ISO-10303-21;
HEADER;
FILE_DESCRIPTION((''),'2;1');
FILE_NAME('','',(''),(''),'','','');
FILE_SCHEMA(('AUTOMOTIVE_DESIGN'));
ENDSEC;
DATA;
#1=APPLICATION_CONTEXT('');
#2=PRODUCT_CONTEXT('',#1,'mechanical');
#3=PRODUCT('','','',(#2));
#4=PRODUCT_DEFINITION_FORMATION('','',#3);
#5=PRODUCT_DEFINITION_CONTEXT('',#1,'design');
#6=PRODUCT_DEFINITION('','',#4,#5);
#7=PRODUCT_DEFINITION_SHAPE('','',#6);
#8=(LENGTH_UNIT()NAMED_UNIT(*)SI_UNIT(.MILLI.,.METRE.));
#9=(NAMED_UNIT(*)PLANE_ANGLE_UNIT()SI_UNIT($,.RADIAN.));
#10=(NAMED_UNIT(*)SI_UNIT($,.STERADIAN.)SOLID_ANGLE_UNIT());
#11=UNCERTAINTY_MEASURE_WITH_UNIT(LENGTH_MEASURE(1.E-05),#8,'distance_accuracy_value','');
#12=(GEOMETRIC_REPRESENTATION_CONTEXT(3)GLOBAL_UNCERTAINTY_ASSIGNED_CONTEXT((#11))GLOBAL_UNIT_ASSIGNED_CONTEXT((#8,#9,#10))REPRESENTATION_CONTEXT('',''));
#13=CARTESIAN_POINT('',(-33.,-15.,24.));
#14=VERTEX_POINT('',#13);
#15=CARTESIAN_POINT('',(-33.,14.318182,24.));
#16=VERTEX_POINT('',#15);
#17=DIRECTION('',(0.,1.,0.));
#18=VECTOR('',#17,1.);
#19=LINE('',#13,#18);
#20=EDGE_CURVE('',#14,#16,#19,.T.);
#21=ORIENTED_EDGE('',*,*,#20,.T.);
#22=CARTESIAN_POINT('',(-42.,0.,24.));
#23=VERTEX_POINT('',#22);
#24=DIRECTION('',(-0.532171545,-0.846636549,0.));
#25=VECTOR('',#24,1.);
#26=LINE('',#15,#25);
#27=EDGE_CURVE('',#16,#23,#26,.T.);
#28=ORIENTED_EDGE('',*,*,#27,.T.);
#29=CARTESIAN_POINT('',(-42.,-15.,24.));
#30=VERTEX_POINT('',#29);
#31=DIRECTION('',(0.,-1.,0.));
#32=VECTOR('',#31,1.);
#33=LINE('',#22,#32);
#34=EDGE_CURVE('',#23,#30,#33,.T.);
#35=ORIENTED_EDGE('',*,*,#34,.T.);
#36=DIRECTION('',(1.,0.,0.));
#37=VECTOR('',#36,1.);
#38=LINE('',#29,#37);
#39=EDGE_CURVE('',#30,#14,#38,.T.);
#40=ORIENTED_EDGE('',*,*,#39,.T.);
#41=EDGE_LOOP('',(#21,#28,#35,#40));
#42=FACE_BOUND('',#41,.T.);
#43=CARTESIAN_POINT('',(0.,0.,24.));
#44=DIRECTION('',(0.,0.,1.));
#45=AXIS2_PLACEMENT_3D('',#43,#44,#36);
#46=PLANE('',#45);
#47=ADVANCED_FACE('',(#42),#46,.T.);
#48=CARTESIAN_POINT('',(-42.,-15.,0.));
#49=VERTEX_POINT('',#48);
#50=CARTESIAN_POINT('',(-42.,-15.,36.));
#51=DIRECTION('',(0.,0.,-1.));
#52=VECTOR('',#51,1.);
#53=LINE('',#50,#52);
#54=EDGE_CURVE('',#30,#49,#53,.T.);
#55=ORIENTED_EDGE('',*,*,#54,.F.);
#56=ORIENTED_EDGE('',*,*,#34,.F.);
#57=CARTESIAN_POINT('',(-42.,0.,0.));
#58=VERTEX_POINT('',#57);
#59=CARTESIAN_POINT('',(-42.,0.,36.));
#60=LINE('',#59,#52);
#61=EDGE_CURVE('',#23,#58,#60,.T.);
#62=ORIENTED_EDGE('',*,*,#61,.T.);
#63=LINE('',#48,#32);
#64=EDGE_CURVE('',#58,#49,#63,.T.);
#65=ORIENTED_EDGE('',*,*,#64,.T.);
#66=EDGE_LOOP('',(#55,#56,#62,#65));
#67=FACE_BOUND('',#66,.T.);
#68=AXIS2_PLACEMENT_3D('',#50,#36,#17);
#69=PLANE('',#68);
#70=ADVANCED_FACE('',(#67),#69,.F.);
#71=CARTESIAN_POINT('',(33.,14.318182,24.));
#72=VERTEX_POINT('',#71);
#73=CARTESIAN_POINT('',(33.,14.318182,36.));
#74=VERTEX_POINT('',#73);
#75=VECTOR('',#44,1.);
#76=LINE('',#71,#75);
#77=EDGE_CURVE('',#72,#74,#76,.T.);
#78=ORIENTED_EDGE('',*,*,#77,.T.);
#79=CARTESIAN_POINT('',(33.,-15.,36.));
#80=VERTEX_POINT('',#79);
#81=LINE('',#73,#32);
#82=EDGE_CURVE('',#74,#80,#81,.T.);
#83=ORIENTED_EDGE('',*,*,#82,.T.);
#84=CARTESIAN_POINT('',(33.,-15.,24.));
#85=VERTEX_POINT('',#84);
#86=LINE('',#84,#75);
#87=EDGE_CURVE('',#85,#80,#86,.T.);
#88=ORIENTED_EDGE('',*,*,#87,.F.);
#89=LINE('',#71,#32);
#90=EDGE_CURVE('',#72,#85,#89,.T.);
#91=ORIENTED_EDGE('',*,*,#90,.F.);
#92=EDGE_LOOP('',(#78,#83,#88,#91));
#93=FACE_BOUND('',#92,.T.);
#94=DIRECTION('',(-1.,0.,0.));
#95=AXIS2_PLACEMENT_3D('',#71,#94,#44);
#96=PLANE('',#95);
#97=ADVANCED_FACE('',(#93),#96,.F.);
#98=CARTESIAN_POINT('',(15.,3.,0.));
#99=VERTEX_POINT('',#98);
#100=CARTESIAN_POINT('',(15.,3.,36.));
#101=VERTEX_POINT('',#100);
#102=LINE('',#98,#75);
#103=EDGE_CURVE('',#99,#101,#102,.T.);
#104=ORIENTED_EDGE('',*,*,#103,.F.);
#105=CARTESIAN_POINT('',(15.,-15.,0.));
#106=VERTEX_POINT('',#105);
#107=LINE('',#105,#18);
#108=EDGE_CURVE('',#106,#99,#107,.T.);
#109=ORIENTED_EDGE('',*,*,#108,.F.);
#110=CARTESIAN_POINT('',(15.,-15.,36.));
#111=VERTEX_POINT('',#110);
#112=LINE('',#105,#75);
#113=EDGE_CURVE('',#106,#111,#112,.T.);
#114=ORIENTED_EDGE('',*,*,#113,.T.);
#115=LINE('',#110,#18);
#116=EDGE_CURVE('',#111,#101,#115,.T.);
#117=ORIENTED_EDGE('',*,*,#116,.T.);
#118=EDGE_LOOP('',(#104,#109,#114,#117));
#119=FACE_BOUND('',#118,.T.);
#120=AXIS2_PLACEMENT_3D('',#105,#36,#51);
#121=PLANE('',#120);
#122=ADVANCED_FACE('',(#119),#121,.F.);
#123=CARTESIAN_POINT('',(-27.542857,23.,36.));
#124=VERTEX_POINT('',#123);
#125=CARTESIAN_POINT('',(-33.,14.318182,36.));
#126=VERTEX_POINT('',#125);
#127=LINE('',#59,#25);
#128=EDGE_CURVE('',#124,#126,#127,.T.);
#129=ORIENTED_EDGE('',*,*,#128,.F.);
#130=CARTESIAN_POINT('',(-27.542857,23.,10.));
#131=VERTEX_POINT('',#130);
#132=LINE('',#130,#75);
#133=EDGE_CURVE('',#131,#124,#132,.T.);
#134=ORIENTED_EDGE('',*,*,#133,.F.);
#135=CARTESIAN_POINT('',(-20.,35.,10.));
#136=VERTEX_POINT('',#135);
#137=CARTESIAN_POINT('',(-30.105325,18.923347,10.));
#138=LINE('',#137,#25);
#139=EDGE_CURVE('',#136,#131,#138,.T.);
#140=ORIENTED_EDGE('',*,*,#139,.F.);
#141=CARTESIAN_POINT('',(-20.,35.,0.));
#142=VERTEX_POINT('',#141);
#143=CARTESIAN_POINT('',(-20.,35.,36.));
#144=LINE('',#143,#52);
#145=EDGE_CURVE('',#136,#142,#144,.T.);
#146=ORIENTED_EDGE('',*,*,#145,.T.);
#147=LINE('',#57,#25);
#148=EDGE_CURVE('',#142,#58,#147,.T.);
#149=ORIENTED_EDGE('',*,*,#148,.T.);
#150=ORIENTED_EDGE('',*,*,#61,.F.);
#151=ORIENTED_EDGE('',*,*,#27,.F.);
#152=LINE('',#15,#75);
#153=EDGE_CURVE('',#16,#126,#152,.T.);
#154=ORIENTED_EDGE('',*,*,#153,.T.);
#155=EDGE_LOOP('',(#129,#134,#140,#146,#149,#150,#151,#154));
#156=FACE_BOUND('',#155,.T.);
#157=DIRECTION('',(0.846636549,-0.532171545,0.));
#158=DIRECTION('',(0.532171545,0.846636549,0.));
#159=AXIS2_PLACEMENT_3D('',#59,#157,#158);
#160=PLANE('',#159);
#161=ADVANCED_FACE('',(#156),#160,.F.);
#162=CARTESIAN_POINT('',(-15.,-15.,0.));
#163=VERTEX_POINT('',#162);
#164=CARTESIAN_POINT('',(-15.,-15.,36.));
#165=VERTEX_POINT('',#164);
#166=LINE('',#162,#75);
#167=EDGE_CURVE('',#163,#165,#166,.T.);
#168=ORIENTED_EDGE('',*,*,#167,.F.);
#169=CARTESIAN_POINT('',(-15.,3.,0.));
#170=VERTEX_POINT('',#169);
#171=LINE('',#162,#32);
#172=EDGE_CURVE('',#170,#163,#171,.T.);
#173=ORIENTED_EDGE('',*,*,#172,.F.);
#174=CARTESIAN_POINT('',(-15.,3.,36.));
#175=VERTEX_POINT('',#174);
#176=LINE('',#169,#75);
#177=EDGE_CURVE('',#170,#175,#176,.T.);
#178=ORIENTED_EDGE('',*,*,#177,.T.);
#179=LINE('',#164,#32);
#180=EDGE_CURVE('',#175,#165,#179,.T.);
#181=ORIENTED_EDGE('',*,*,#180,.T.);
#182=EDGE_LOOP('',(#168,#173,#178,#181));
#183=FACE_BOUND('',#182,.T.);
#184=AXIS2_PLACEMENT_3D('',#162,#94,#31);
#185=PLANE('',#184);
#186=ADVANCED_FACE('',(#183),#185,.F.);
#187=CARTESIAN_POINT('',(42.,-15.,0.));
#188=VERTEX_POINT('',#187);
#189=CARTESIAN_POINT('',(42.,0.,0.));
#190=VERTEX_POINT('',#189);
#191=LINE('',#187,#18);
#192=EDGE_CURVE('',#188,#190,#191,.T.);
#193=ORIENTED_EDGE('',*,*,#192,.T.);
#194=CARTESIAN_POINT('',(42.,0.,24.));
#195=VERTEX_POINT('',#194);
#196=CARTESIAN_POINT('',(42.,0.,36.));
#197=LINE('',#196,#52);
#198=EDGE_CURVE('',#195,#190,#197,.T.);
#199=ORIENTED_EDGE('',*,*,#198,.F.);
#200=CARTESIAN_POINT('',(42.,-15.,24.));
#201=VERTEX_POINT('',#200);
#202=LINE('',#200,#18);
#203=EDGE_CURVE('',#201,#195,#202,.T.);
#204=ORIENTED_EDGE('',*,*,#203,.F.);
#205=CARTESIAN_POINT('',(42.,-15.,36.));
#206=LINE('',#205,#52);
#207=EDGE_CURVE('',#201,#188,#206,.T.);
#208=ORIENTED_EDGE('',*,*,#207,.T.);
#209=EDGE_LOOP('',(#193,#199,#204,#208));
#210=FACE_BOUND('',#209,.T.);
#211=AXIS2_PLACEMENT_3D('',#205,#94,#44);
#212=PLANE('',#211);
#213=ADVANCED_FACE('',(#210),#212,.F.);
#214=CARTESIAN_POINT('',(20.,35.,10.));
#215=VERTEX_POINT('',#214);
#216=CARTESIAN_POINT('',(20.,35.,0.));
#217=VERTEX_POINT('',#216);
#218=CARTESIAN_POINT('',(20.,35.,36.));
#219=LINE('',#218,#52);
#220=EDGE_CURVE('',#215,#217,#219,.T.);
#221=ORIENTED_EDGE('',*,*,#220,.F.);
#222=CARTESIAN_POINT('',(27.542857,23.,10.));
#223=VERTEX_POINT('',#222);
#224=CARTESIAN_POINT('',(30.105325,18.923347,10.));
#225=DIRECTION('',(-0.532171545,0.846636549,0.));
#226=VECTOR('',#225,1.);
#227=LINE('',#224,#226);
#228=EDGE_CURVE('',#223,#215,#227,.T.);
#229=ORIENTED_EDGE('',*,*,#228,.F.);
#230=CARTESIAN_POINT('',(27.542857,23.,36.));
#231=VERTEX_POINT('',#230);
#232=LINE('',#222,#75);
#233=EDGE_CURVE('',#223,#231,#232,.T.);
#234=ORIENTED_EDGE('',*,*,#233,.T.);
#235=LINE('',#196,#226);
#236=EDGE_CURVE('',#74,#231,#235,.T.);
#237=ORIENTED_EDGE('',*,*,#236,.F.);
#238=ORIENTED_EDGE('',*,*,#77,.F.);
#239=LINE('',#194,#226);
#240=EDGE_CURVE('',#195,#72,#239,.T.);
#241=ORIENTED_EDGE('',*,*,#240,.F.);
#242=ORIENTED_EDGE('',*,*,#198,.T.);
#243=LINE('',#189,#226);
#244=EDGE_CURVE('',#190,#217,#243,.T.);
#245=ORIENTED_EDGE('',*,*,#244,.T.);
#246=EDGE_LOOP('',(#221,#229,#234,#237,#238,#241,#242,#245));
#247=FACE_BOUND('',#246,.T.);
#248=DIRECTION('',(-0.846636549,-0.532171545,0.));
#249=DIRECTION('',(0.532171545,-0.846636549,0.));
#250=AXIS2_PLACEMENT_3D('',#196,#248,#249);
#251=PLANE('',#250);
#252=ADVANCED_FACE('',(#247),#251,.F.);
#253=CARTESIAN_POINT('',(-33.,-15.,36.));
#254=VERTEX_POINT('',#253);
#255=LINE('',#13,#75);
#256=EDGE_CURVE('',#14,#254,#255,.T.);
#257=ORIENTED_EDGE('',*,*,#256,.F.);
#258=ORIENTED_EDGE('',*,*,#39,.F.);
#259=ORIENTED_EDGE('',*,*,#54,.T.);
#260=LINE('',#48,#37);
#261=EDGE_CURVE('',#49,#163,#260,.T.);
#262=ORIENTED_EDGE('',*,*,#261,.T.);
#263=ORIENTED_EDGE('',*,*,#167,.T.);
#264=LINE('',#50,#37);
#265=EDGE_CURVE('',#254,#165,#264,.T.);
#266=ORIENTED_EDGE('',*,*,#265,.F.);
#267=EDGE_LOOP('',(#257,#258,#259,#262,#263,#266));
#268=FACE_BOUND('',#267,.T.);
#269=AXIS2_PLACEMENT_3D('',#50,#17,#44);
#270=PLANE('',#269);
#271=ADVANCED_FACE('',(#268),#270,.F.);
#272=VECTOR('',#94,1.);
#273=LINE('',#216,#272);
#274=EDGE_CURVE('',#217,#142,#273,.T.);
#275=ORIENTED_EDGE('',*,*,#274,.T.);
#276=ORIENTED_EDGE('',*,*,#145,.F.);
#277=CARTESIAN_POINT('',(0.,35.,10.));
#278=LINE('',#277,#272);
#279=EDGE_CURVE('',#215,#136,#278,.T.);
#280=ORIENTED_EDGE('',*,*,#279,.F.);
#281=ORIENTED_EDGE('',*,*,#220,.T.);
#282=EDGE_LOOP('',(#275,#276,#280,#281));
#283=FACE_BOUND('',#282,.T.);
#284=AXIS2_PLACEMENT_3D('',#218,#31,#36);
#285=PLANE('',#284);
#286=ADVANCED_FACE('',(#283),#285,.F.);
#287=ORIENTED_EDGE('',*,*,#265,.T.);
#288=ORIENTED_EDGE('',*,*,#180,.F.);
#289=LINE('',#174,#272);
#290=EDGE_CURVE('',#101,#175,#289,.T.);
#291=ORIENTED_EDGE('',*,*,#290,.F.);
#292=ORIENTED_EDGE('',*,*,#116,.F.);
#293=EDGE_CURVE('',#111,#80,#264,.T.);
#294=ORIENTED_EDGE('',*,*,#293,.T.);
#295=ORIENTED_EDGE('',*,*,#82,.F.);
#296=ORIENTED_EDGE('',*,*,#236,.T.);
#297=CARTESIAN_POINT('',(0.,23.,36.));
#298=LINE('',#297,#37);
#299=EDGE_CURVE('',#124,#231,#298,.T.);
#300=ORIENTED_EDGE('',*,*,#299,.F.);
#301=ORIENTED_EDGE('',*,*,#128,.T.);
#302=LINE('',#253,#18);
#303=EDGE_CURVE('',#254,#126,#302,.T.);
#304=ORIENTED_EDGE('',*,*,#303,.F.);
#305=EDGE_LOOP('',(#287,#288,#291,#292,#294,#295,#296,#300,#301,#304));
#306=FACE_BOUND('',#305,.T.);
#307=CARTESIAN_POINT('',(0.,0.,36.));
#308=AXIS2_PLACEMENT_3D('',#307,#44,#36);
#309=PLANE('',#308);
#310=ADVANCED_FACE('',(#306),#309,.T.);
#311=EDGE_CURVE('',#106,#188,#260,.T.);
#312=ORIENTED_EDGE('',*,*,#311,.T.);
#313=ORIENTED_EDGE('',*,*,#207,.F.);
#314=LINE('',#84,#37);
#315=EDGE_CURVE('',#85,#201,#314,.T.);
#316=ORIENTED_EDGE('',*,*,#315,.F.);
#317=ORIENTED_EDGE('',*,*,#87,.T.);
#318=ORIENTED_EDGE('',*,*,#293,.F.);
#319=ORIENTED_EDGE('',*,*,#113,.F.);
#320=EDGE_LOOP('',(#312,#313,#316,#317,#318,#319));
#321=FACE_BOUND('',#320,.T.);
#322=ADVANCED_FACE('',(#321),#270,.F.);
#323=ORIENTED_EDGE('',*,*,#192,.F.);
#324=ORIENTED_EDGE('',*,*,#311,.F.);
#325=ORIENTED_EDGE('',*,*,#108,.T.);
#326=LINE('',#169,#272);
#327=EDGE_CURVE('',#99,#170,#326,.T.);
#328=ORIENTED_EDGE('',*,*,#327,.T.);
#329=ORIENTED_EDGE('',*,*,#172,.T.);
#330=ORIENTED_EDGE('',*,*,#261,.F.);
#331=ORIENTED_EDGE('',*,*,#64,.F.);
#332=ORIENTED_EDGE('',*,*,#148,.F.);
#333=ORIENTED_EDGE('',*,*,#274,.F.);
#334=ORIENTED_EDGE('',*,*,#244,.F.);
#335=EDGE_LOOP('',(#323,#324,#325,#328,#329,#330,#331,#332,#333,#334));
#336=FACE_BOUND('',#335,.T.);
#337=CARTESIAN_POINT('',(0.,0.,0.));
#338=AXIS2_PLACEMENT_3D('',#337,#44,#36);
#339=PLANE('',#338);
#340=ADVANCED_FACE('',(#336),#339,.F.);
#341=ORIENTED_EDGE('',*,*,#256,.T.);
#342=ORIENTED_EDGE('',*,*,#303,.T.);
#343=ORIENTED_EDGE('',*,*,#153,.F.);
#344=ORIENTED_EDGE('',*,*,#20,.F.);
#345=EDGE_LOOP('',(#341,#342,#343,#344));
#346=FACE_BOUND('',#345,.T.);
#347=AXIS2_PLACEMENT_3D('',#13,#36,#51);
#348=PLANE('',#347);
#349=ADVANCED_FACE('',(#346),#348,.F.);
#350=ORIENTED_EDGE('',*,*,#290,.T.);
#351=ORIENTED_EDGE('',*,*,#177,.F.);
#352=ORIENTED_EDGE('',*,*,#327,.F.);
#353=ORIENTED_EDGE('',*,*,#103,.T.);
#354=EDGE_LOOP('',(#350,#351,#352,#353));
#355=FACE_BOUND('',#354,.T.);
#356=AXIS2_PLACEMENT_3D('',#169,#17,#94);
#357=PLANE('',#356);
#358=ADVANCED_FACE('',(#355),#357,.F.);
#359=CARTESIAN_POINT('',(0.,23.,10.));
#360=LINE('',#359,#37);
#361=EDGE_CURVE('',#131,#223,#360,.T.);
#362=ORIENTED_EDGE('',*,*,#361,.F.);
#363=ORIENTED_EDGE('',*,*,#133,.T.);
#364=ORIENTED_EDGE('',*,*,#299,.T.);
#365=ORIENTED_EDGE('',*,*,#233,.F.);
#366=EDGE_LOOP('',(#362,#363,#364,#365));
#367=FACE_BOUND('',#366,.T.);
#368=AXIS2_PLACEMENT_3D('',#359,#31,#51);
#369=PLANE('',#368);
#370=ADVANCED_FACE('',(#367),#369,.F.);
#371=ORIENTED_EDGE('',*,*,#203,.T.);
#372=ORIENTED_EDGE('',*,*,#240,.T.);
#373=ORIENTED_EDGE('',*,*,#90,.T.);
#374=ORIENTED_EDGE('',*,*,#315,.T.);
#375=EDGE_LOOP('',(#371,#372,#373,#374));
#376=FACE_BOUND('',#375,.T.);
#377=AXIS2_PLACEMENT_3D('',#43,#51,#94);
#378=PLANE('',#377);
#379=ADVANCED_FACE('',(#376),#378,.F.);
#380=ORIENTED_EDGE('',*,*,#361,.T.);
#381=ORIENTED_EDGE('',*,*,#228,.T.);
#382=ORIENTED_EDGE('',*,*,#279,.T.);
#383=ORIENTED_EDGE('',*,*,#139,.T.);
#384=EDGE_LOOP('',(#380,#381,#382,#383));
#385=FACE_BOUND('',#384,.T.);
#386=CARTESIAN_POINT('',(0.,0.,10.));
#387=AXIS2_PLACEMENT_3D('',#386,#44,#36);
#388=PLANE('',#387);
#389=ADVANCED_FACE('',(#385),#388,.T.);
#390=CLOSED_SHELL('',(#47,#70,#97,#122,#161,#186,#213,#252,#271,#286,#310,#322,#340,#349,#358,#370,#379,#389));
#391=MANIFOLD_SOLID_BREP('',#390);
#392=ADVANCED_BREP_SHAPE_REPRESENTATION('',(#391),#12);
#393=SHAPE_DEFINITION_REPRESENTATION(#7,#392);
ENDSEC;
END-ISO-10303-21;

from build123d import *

# Parameters (mm, degrees)
SALIENTE_EXTRUIR1_DEPTH = 36
CORTAR_EXTRUIR1_DEPTH   = 26
CORTAR_EXTRUIR2_DEPTH   = 12
CROQUIS4_W              = 30
CROQUIS4_H              = 18
CORTAR_EXTRUIR3_DEPTH   = 66.459911396


with BuildPart() as part:
    # Croquis1 → Saliente-Extruir1 (new body)
    with BuildSketch(Plane.XY):
        Polygon((-42, -15), (42, -15), (42, 0), (20, 35), (-20, 35), (-42, 0), align=None)
    extrude(amount=SALIENTE_EXTRUIR1_DEPTH)

    # Croquis2 → Cortar-Extruir1 (cut)
    with BuildSketch(Plane.XY.offset(36)):
        Polygon((-20, 35), (-27.542857143, 23), (27.542857143, 23), (20, 35), align=None)
    extrude(amount=-CORTAR_EXTRUIR1_DEPTH, mode=Mode.SUBTRACT)

    # Croquis3 → Cortar-Extruir2 (cut)
    with BuildSketch(Plane.XY.offset(36)):
        Polygon((33, 14.318181818), (33, -15), (42, -15), (42, 0), align=None)
        Polygon((-33, -15), (-33, 14.318181818), (-42, 0), (-42, -15), align=None)
    extrude(amount=-CORTAR_EXTRUIR2_DEPTH, mode=Mode.SUBTRACT)

    # Croquis4 → Cortar-Extruir3 (cut, through all)
    with BuildSketch(Plane.XY.offset(36)):
        with Locations((0, -6)):
            Rectangle(CROQUIS4_W, CROQUIS4_H)
    extrude(amount=-CORTAR_EXTRUIR3_DEPTH, mode=Mode.SUBTRACT)


solid = part.part
